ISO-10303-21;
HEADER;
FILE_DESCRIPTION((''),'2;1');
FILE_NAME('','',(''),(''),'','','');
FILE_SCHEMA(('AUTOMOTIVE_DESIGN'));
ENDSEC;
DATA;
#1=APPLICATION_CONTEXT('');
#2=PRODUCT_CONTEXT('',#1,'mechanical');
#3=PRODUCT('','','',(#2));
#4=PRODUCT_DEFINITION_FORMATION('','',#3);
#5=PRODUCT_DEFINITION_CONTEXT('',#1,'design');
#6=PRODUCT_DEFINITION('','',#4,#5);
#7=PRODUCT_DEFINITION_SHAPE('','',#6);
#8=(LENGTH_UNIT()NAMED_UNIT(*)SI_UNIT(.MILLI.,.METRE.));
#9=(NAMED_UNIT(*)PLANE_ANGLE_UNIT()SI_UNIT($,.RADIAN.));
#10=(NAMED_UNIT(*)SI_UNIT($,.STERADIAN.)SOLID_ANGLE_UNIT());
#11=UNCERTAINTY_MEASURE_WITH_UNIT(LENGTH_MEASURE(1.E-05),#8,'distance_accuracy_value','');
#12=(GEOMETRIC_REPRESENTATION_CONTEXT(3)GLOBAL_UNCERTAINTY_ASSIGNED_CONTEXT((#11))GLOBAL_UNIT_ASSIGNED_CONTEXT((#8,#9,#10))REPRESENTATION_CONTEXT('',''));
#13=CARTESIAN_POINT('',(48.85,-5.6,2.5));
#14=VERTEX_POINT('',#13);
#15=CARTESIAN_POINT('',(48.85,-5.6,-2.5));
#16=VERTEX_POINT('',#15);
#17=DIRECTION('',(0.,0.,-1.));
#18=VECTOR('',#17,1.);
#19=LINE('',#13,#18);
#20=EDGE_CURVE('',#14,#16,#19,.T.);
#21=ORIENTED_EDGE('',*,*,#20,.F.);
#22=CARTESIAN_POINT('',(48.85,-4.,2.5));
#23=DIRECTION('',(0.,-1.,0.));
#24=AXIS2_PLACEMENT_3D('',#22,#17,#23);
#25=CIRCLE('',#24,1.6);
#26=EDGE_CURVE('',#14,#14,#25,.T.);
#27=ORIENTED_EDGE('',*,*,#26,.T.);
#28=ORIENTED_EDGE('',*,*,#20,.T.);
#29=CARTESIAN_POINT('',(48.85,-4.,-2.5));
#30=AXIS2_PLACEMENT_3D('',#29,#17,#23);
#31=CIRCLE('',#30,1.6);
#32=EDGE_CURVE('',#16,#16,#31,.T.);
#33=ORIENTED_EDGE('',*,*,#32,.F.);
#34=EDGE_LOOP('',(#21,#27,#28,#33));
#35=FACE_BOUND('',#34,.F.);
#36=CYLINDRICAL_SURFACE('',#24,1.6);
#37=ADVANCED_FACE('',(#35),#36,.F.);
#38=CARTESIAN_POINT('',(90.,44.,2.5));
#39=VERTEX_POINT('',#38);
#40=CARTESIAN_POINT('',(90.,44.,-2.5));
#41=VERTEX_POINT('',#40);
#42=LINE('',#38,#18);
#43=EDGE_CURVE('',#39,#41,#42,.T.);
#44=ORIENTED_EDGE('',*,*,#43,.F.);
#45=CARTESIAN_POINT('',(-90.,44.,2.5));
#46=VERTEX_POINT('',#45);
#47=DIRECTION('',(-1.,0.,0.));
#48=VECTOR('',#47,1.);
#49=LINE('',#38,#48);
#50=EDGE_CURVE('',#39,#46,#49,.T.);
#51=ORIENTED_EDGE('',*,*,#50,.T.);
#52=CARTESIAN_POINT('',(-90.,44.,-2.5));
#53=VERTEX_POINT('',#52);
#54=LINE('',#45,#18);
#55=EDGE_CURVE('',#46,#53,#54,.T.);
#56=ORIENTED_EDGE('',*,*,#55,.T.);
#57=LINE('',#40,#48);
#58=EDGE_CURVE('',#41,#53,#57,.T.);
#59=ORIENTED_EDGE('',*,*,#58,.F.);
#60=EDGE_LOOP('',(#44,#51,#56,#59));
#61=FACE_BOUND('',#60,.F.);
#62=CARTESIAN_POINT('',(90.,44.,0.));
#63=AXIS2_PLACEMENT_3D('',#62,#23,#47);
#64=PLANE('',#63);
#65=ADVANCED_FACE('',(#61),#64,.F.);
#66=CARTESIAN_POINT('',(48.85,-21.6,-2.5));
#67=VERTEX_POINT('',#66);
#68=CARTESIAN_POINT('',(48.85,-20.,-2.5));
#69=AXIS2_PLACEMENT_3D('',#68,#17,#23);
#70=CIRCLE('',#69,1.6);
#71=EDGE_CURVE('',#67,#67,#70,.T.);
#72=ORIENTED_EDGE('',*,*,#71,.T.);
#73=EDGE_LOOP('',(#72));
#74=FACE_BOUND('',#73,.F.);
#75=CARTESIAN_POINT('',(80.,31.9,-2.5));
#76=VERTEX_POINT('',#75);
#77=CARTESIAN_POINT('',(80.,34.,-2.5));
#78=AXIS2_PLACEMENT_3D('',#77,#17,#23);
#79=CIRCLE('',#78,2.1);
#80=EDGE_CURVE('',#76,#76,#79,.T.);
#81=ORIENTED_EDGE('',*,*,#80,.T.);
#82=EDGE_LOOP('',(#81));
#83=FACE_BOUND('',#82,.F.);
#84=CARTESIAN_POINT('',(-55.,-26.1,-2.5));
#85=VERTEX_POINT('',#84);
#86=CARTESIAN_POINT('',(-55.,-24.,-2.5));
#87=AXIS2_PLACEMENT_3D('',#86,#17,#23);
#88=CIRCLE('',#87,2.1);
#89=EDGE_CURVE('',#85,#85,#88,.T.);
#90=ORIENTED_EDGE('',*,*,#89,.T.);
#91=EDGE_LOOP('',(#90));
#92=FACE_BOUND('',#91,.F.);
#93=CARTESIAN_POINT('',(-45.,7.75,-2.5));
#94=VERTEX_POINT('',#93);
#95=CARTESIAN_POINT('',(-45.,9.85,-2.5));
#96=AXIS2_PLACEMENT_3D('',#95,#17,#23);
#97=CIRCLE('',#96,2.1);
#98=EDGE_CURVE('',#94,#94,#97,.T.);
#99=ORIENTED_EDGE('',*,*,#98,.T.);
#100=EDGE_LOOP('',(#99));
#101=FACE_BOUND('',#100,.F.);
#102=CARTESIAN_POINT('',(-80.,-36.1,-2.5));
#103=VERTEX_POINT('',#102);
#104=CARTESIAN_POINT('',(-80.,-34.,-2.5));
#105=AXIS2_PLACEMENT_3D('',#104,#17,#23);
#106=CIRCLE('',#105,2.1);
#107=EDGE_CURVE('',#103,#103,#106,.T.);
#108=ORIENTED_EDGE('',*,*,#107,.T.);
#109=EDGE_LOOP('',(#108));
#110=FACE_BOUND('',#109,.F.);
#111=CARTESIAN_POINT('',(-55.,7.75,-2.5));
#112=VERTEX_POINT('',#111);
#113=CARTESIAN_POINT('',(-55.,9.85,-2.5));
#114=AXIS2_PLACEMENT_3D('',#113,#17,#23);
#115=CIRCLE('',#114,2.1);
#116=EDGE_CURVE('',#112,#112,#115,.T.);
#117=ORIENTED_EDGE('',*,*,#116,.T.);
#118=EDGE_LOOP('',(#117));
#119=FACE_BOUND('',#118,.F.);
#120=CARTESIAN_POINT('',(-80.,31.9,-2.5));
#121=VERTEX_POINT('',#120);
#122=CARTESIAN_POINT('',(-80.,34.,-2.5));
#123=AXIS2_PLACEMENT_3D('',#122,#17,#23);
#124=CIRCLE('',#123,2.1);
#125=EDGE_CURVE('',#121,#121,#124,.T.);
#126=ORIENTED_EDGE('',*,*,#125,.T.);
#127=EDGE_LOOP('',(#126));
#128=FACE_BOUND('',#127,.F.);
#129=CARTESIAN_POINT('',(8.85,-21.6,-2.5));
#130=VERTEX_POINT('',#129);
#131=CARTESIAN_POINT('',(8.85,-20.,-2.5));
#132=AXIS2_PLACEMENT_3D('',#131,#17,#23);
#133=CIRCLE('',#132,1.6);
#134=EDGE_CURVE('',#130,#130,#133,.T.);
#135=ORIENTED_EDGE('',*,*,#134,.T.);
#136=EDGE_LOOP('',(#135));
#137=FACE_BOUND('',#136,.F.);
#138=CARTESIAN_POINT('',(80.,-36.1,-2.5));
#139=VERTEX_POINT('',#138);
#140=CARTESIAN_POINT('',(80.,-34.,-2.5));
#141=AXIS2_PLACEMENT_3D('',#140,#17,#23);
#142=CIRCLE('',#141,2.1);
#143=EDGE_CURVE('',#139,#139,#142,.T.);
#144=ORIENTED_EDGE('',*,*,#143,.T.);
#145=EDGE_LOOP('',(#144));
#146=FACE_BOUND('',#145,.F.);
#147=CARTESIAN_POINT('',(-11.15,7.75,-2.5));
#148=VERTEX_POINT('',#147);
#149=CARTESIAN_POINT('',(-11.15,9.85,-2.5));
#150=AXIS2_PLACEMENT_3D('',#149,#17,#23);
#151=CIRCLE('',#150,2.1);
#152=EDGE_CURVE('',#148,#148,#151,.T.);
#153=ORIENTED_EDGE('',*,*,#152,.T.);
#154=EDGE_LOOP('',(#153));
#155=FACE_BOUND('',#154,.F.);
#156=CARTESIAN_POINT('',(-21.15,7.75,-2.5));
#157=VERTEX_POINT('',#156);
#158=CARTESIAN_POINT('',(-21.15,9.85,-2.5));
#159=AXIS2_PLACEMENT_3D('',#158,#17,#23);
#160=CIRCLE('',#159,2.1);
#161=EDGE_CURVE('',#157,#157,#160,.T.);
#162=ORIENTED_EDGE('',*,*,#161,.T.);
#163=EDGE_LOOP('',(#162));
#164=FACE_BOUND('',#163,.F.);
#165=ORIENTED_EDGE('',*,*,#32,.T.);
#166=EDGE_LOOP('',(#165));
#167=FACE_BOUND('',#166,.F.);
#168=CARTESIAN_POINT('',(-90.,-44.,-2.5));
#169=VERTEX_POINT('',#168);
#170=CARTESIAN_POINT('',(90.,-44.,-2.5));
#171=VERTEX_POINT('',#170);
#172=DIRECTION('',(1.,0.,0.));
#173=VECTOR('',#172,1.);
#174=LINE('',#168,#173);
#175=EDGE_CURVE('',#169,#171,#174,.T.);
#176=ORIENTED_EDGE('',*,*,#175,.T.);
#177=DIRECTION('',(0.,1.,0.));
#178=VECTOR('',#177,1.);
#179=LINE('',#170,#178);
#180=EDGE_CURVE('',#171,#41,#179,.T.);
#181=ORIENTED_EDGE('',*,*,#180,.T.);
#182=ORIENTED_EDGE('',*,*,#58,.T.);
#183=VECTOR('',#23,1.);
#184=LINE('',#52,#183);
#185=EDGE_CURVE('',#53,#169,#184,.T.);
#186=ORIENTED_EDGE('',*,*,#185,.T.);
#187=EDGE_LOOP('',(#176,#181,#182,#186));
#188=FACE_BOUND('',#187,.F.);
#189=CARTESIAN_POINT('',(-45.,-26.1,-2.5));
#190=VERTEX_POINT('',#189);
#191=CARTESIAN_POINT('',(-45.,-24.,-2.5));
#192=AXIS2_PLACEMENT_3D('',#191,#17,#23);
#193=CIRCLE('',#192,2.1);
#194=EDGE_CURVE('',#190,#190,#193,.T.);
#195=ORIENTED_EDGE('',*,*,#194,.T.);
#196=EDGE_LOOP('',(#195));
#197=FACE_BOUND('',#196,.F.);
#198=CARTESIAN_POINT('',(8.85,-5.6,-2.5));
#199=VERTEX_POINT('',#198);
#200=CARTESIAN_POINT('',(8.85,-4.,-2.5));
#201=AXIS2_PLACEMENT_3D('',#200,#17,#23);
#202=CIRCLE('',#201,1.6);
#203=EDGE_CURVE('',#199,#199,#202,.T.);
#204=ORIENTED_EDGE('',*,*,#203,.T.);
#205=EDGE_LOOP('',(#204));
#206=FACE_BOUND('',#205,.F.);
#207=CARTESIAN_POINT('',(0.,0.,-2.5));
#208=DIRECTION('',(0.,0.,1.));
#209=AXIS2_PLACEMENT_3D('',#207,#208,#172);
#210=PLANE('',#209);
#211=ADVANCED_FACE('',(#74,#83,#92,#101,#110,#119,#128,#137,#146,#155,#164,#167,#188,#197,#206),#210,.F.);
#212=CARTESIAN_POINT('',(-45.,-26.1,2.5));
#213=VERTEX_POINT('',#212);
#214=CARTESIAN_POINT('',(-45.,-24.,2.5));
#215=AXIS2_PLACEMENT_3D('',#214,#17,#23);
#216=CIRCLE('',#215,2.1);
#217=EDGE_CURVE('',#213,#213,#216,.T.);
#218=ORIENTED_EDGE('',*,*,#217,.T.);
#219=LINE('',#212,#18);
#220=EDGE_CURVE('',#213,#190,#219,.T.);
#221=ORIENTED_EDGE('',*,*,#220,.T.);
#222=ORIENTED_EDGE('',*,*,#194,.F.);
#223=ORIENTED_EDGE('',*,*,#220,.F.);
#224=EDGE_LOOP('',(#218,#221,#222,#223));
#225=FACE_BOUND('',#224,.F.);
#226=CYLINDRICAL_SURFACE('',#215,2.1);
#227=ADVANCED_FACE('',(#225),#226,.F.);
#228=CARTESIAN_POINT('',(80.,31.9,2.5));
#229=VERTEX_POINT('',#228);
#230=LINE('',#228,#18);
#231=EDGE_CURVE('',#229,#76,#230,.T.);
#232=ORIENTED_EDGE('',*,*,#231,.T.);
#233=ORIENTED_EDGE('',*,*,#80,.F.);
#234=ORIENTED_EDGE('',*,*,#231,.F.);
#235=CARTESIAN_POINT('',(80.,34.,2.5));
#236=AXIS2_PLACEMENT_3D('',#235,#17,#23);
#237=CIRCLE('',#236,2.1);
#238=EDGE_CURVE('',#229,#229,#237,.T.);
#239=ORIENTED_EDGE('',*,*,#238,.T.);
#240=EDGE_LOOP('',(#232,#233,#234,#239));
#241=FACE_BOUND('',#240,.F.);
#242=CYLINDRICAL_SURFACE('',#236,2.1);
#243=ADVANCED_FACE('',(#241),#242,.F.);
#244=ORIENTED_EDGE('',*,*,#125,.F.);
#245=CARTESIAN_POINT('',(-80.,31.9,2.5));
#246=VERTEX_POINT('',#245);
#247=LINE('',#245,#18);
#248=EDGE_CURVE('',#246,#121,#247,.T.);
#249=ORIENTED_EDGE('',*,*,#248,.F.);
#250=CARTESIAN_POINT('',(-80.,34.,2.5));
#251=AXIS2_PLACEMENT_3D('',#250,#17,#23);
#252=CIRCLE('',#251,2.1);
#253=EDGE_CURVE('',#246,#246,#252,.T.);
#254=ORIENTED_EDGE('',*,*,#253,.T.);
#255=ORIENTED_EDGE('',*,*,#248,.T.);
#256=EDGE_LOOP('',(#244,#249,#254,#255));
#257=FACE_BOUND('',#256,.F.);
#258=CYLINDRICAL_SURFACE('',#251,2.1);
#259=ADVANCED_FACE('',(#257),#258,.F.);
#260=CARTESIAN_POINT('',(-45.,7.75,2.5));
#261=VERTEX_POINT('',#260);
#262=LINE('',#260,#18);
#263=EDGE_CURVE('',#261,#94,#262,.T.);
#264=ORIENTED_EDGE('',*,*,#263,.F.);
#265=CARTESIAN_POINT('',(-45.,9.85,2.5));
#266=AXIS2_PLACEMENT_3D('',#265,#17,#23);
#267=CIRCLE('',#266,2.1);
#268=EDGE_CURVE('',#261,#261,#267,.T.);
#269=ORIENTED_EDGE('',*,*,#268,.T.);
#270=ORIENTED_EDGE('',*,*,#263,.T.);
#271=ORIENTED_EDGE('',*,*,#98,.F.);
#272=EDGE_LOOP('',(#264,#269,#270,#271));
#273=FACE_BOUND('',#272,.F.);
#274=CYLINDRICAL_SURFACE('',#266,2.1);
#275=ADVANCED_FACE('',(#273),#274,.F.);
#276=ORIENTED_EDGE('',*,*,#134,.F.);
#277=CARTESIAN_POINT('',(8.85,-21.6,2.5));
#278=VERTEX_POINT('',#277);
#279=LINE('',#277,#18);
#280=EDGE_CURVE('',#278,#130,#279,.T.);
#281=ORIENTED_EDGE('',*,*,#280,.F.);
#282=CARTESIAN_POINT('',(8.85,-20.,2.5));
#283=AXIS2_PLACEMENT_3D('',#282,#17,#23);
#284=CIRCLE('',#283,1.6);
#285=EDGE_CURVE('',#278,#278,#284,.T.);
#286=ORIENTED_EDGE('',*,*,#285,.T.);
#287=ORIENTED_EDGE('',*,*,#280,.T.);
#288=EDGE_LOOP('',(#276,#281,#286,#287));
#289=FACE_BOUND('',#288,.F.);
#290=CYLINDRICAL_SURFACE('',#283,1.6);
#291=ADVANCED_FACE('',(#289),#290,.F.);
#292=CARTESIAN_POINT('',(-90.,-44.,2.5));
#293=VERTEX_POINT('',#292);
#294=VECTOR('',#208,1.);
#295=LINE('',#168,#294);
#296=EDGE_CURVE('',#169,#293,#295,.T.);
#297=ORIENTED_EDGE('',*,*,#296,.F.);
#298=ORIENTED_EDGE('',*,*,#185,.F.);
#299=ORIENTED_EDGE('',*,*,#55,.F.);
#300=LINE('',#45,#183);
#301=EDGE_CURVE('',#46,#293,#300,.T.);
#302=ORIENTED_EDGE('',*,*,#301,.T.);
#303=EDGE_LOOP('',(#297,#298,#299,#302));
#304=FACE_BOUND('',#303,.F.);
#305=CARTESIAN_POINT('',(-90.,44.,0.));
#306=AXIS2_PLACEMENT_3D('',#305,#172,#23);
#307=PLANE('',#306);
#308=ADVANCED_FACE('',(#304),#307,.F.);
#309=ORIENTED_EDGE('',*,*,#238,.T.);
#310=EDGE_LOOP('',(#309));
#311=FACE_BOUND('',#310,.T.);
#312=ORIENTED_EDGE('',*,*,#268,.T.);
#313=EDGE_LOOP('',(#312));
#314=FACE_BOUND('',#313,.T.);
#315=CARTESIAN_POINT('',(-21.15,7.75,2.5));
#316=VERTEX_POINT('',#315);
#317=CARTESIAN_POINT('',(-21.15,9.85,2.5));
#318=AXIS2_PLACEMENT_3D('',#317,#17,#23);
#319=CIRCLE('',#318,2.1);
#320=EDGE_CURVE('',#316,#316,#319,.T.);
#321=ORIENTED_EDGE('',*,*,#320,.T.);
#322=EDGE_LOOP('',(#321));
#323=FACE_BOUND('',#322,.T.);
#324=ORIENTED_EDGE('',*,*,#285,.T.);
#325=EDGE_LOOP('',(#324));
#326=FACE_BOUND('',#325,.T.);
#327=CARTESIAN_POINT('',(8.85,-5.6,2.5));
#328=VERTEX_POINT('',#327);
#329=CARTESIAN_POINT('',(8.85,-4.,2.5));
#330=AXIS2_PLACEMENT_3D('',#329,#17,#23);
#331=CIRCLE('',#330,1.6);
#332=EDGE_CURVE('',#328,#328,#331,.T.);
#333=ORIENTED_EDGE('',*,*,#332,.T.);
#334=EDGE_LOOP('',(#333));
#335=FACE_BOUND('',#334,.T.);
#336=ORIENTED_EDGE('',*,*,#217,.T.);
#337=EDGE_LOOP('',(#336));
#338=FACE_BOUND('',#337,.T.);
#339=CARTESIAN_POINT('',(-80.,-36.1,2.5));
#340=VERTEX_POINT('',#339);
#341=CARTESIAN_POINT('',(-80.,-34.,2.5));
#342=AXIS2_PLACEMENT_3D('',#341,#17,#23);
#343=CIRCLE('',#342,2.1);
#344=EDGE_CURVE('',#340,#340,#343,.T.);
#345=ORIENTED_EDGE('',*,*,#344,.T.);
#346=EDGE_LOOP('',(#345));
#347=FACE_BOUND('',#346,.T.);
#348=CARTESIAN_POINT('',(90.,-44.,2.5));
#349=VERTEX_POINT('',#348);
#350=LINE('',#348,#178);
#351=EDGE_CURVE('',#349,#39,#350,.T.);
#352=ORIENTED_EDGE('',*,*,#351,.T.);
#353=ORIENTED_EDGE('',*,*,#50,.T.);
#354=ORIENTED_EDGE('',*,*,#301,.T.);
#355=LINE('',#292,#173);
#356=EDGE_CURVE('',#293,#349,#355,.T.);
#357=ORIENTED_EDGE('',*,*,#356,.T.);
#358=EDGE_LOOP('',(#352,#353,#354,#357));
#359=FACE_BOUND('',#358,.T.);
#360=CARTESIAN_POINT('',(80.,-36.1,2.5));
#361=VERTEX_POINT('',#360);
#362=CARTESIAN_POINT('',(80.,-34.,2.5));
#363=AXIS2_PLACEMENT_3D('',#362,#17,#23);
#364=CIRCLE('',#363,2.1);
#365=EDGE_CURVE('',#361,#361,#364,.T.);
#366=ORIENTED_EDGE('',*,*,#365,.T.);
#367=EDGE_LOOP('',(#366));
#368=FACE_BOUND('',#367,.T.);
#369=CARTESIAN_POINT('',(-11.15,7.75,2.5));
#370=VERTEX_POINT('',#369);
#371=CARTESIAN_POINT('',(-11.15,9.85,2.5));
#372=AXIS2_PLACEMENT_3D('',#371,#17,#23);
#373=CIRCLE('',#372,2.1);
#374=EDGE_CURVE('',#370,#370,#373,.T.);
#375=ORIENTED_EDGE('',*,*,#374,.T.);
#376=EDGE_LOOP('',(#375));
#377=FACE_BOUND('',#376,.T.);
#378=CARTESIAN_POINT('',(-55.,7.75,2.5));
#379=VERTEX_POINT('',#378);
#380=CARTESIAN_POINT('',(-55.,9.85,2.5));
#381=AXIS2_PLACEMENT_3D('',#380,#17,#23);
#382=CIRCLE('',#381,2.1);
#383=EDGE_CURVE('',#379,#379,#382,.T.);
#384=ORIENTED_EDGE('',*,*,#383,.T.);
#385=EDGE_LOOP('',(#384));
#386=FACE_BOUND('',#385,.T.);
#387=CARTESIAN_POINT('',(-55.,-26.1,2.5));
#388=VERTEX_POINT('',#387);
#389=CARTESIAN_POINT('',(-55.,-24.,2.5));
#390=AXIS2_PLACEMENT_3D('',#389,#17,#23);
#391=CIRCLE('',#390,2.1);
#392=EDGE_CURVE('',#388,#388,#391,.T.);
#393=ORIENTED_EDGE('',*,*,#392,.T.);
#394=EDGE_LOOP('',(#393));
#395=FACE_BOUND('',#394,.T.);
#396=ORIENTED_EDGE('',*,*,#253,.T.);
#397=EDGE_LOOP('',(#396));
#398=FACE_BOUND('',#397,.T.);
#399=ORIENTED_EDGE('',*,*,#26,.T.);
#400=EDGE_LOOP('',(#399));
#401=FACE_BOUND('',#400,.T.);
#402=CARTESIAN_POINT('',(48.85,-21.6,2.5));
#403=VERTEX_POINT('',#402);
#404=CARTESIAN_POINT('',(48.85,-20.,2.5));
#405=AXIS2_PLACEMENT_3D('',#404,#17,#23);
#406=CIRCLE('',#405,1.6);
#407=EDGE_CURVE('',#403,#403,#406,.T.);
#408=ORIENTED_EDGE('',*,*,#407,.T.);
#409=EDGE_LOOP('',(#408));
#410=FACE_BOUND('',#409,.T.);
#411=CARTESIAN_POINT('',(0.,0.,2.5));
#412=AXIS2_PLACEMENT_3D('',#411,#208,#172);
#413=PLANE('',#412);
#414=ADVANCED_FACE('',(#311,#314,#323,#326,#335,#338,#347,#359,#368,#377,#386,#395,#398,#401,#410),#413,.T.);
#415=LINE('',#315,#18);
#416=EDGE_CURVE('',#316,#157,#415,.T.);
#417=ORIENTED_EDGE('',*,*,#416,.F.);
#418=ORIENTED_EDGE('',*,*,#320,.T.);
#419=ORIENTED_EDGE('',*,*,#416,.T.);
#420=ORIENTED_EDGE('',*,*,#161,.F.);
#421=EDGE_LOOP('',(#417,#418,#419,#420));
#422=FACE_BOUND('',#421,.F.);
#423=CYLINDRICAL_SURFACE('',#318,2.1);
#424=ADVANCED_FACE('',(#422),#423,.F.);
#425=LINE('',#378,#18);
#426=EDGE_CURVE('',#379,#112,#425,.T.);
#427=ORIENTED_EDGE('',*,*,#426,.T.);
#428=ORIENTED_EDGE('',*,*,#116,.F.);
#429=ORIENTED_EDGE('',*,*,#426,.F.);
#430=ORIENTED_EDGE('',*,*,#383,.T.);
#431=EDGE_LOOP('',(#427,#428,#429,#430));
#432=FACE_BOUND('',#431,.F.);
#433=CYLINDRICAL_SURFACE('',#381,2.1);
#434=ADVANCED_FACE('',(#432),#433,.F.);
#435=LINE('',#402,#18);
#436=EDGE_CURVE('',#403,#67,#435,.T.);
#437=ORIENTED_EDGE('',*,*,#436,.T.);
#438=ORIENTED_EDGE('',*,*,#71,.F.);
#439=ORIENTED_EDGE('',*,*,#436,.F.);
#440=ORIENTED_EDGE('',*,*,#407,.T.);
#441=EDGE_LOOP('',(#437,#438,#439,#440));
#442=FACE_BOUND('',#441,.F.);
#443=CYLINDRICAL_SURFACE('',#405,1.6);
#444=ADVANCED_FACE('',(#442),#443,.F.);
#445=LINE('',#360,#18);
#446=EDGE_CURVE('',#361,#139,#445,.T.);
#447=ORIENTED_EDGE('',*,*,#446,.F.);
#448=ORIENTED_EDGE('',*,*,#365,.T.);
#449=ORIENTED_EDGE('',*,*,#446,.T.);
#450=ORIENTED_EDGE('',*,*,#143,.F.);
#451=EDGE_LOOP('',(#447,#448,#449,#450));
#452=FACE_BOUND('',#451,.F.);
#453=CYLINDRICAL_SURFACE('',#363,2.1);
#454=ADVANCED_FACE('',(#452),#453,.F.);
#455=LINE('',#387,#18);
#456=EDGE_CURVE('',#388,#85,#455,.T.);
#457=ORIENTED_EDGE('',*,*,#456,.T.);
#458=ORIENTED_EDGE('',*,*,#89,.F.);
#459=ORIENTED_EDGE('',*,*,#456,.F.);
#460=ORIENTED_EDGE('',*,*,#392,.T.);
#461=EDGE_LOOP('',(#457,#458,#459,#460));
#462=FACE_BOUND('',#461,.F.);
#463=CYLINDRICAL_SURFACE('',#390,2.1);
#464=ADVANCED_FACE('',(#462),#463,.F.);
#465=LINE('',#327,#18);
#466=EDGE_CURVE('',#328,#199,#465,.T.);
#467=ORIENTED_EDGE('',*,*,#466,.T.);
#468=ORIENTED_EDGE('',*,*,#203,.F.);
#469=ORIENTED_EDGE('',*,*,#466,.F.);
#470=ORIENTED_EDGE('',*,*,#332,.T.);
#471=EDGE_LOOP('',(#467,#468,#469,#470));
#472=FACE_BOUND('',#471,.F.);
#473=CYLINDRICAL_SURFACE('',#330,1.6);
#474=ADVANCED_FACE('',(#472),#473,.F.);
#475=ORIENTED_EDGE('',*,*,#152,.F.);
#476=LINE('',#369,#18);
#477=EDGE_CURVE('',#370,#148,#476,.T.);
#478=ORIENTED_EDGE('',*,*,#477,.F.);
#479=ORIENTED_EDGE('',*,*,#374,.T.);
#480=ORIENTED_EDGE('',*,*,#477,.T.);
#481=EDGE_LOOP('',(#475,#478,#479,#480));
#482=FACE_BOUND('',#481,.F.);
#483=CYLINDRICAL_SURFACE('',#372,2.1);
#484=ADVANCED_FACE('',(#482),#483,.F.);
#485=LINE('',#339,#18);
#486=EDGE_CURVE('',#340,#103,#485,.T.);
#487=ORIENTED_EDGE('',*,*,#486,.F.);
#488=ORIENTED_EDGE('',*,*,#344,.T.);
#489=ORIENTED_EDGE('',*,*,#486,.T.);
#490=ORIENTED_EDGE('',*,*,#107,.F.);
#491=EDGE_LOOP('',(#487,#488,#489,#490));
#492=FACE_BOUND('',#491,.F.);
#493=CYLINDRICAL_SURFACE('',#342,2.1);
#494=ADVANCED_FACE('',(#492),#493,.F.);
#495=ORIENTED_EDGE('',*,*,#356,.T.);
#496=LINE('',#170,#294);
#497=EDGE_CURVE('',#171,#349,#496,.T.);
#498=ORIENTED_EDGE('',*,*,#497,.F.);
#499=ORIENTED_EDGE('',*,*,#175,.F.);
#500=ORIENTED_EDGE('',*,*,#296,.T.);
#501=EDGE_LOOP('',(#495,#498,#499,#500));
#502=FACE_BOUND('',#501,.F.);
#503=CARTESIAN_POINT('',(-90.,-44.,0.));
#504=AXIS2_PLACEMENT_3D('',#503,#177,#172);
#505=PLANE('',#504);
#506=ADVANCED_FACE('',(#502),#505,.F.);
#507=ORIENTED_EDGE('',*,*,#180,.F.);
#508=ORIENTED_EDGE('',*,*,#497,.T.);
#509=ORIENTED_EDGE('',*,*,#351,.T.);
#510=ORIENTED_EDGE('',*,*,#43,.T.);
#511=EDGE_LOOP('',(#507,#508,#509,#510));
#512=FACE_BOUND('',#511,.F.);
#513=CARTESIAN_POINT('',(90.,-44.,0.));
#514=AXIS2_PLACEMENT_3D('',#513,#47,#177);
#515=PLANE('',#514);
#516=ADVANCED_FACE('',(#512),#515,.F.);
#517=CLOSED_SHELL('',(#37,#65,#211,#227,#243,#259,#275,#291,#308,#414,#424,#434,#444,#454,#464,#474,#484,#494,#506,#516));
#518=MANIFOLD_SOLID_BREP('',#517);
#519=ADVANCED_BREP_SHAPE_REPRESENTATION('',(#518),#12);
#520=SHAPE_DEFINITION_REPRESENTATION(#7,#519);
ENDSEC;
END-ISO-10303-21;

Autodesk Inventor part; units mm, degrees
ref_plane "YZ Plane" through (0, 0, 0) normal (1, 0, 0) x (0, 1, 0)
ref_plane "XZ Plane" through (0, 0, 0) normal (0, 1, 0) x (-1, 0, 0)
ref_plane "XY Plane" through (0, 0, 0) normal (0, 0, 1) x (1, 0, 0)
sketch "Esquisse1" plane through (0, 0, 0) normal (0, 0, 1) x (1, 0, 0)
  line L0 (-90, -44) -> (90, -44)
  line L1 (90, -44) -> (90, 44)
  line L2 (90, 44) -> (-90, 44)
  line L3 (-90, 44) -> (-90, -44)
  line L4 (-90, -44) -> (90, 44) construction
  line L5 (90, -44) -> (-90, 44) construction
  point P0 (0, 0)
  dimension "d0" = 180
  dimension "d1" = 88
extrude "Extrusion1" add sketch "Esquisse1" along normal mid plane 5
sketch "Esquisse2" plane through (0, 0, 2.5) normal (0, 0, 1) x (1, 0, 0)
  line L0 (-90, 44) -> (-90, -44) projected
  line L1 (90, -44) -> (-90, -44) projected
  point P0 (0, 0)
  point P1 (-45, -24)
  point P2 (-45, 9.85)
  point P3 (-11.15, 9.85)
  dimension "d4" = 33.85
  dimension "d5" = 45
  dimension "d6" = 33.85
  dimension "d7" = 20
hole "Perçage_moteur" at (-45, -24, 2.5) at (-45, 9.85, 2.5) at (-11.15, 9.85, 2.5) direction (0, 0, -1) diameter 4.2 end through all
sketch "Esquisse3" plane through (0, 0, 2.5) normal (0, 0, 1) x (1, 0, 0)
  line L0 (-60.0266, -12) -> (31.1582, -12) construction
  circle A0 centre (-45, -24) radius 2.1 construction
  circle A1 centre (-11.15, 9.85) radius 2.1 construction
  line L1 (-90, 44) -> (-90, -44) projected
  point P0 (0, 0)
  point P1 (8.85, -20)
  point P2 (8.85, -4)
  point P3 (48.85, -4)
  point P4 (48.85, -20)
  dimension "d15" = 40
  dimension "d16" = 16
  dimension "d17" = 12
  dimension "d18" = 8
  dimension "d19" = 20
  dimension "d38" = 98.85
hole "Perçage_laser" at (8.85, -20, 2.5) at (8.85, -4, 2.5) at (48.85, -4, 2.5) at (48.85, -20, 2.5) direction (0, 0, -1) diameter 3.2 depth 9.525 tip angle 118
sketch "Esquisse4" plane through (0, 0, 2.5) normal (0, 0, 1) x (1, 0, 0)
  line L0 (90, -44) -> (90, 44) projected
  line L1 (-90, 44) -> (90, 44) projected
  line L2 (90, -44) -> (-90, -44) projected
  line L3 (-90, 44) -> (-90, -44) projected
  point P0 (0, 0)
  point P1 (-80, -34)
  point P2 (-80, 34)
  point P3 (80, 34)
  point P4 (80, -34)
  dimension "d27" = 10
  dimension "d28" = 10
  dimension "d29" = 10
  dimension "d30" = 10
hole "Perçage_coins" at (-80, -34, 2.5) at (-80, 34, 2.5) at (80, 34, 2.5) at (80, -34, 2.5) direction (0, 0, -1) diameter 4.2 depth 9.525 tip angle 118
sketch "Esquisse5" plane through (0, 0, 2.5) normal (0, 0, 1) x (1, 0, 0)
  circle A0 centre (-45, 9.85) radius 2.1 projected
  circle A1 centre (-11.15, 9.85) radius 2.1 projected
  circle A2 centre (-45, -24) radius 2.1 projected
  point P0 (0, 0)
  point P1 (-55, -24)
  point P2 (-55, 9.85)
  point P3 (-21.15, 9.85)
  dimension "d39" = 10
  dimension "d40" = 10
  dimension "d41" = 10
hole "Perçage4" at (-55, -24, 2.5) at (-55, 9.85, 2.5) at (-21.15, 9.85, 2.5) direction (0, 0, -1) diameter 4.2 depth 8 tip angle 118
equation "\"d18\" = 0.5 * d16"
equation "\"pi\" = 3.141593"
equation "\"nombredor\" = 1.61803"
properties part number "Plaque support" material "Aluminium 6061"
